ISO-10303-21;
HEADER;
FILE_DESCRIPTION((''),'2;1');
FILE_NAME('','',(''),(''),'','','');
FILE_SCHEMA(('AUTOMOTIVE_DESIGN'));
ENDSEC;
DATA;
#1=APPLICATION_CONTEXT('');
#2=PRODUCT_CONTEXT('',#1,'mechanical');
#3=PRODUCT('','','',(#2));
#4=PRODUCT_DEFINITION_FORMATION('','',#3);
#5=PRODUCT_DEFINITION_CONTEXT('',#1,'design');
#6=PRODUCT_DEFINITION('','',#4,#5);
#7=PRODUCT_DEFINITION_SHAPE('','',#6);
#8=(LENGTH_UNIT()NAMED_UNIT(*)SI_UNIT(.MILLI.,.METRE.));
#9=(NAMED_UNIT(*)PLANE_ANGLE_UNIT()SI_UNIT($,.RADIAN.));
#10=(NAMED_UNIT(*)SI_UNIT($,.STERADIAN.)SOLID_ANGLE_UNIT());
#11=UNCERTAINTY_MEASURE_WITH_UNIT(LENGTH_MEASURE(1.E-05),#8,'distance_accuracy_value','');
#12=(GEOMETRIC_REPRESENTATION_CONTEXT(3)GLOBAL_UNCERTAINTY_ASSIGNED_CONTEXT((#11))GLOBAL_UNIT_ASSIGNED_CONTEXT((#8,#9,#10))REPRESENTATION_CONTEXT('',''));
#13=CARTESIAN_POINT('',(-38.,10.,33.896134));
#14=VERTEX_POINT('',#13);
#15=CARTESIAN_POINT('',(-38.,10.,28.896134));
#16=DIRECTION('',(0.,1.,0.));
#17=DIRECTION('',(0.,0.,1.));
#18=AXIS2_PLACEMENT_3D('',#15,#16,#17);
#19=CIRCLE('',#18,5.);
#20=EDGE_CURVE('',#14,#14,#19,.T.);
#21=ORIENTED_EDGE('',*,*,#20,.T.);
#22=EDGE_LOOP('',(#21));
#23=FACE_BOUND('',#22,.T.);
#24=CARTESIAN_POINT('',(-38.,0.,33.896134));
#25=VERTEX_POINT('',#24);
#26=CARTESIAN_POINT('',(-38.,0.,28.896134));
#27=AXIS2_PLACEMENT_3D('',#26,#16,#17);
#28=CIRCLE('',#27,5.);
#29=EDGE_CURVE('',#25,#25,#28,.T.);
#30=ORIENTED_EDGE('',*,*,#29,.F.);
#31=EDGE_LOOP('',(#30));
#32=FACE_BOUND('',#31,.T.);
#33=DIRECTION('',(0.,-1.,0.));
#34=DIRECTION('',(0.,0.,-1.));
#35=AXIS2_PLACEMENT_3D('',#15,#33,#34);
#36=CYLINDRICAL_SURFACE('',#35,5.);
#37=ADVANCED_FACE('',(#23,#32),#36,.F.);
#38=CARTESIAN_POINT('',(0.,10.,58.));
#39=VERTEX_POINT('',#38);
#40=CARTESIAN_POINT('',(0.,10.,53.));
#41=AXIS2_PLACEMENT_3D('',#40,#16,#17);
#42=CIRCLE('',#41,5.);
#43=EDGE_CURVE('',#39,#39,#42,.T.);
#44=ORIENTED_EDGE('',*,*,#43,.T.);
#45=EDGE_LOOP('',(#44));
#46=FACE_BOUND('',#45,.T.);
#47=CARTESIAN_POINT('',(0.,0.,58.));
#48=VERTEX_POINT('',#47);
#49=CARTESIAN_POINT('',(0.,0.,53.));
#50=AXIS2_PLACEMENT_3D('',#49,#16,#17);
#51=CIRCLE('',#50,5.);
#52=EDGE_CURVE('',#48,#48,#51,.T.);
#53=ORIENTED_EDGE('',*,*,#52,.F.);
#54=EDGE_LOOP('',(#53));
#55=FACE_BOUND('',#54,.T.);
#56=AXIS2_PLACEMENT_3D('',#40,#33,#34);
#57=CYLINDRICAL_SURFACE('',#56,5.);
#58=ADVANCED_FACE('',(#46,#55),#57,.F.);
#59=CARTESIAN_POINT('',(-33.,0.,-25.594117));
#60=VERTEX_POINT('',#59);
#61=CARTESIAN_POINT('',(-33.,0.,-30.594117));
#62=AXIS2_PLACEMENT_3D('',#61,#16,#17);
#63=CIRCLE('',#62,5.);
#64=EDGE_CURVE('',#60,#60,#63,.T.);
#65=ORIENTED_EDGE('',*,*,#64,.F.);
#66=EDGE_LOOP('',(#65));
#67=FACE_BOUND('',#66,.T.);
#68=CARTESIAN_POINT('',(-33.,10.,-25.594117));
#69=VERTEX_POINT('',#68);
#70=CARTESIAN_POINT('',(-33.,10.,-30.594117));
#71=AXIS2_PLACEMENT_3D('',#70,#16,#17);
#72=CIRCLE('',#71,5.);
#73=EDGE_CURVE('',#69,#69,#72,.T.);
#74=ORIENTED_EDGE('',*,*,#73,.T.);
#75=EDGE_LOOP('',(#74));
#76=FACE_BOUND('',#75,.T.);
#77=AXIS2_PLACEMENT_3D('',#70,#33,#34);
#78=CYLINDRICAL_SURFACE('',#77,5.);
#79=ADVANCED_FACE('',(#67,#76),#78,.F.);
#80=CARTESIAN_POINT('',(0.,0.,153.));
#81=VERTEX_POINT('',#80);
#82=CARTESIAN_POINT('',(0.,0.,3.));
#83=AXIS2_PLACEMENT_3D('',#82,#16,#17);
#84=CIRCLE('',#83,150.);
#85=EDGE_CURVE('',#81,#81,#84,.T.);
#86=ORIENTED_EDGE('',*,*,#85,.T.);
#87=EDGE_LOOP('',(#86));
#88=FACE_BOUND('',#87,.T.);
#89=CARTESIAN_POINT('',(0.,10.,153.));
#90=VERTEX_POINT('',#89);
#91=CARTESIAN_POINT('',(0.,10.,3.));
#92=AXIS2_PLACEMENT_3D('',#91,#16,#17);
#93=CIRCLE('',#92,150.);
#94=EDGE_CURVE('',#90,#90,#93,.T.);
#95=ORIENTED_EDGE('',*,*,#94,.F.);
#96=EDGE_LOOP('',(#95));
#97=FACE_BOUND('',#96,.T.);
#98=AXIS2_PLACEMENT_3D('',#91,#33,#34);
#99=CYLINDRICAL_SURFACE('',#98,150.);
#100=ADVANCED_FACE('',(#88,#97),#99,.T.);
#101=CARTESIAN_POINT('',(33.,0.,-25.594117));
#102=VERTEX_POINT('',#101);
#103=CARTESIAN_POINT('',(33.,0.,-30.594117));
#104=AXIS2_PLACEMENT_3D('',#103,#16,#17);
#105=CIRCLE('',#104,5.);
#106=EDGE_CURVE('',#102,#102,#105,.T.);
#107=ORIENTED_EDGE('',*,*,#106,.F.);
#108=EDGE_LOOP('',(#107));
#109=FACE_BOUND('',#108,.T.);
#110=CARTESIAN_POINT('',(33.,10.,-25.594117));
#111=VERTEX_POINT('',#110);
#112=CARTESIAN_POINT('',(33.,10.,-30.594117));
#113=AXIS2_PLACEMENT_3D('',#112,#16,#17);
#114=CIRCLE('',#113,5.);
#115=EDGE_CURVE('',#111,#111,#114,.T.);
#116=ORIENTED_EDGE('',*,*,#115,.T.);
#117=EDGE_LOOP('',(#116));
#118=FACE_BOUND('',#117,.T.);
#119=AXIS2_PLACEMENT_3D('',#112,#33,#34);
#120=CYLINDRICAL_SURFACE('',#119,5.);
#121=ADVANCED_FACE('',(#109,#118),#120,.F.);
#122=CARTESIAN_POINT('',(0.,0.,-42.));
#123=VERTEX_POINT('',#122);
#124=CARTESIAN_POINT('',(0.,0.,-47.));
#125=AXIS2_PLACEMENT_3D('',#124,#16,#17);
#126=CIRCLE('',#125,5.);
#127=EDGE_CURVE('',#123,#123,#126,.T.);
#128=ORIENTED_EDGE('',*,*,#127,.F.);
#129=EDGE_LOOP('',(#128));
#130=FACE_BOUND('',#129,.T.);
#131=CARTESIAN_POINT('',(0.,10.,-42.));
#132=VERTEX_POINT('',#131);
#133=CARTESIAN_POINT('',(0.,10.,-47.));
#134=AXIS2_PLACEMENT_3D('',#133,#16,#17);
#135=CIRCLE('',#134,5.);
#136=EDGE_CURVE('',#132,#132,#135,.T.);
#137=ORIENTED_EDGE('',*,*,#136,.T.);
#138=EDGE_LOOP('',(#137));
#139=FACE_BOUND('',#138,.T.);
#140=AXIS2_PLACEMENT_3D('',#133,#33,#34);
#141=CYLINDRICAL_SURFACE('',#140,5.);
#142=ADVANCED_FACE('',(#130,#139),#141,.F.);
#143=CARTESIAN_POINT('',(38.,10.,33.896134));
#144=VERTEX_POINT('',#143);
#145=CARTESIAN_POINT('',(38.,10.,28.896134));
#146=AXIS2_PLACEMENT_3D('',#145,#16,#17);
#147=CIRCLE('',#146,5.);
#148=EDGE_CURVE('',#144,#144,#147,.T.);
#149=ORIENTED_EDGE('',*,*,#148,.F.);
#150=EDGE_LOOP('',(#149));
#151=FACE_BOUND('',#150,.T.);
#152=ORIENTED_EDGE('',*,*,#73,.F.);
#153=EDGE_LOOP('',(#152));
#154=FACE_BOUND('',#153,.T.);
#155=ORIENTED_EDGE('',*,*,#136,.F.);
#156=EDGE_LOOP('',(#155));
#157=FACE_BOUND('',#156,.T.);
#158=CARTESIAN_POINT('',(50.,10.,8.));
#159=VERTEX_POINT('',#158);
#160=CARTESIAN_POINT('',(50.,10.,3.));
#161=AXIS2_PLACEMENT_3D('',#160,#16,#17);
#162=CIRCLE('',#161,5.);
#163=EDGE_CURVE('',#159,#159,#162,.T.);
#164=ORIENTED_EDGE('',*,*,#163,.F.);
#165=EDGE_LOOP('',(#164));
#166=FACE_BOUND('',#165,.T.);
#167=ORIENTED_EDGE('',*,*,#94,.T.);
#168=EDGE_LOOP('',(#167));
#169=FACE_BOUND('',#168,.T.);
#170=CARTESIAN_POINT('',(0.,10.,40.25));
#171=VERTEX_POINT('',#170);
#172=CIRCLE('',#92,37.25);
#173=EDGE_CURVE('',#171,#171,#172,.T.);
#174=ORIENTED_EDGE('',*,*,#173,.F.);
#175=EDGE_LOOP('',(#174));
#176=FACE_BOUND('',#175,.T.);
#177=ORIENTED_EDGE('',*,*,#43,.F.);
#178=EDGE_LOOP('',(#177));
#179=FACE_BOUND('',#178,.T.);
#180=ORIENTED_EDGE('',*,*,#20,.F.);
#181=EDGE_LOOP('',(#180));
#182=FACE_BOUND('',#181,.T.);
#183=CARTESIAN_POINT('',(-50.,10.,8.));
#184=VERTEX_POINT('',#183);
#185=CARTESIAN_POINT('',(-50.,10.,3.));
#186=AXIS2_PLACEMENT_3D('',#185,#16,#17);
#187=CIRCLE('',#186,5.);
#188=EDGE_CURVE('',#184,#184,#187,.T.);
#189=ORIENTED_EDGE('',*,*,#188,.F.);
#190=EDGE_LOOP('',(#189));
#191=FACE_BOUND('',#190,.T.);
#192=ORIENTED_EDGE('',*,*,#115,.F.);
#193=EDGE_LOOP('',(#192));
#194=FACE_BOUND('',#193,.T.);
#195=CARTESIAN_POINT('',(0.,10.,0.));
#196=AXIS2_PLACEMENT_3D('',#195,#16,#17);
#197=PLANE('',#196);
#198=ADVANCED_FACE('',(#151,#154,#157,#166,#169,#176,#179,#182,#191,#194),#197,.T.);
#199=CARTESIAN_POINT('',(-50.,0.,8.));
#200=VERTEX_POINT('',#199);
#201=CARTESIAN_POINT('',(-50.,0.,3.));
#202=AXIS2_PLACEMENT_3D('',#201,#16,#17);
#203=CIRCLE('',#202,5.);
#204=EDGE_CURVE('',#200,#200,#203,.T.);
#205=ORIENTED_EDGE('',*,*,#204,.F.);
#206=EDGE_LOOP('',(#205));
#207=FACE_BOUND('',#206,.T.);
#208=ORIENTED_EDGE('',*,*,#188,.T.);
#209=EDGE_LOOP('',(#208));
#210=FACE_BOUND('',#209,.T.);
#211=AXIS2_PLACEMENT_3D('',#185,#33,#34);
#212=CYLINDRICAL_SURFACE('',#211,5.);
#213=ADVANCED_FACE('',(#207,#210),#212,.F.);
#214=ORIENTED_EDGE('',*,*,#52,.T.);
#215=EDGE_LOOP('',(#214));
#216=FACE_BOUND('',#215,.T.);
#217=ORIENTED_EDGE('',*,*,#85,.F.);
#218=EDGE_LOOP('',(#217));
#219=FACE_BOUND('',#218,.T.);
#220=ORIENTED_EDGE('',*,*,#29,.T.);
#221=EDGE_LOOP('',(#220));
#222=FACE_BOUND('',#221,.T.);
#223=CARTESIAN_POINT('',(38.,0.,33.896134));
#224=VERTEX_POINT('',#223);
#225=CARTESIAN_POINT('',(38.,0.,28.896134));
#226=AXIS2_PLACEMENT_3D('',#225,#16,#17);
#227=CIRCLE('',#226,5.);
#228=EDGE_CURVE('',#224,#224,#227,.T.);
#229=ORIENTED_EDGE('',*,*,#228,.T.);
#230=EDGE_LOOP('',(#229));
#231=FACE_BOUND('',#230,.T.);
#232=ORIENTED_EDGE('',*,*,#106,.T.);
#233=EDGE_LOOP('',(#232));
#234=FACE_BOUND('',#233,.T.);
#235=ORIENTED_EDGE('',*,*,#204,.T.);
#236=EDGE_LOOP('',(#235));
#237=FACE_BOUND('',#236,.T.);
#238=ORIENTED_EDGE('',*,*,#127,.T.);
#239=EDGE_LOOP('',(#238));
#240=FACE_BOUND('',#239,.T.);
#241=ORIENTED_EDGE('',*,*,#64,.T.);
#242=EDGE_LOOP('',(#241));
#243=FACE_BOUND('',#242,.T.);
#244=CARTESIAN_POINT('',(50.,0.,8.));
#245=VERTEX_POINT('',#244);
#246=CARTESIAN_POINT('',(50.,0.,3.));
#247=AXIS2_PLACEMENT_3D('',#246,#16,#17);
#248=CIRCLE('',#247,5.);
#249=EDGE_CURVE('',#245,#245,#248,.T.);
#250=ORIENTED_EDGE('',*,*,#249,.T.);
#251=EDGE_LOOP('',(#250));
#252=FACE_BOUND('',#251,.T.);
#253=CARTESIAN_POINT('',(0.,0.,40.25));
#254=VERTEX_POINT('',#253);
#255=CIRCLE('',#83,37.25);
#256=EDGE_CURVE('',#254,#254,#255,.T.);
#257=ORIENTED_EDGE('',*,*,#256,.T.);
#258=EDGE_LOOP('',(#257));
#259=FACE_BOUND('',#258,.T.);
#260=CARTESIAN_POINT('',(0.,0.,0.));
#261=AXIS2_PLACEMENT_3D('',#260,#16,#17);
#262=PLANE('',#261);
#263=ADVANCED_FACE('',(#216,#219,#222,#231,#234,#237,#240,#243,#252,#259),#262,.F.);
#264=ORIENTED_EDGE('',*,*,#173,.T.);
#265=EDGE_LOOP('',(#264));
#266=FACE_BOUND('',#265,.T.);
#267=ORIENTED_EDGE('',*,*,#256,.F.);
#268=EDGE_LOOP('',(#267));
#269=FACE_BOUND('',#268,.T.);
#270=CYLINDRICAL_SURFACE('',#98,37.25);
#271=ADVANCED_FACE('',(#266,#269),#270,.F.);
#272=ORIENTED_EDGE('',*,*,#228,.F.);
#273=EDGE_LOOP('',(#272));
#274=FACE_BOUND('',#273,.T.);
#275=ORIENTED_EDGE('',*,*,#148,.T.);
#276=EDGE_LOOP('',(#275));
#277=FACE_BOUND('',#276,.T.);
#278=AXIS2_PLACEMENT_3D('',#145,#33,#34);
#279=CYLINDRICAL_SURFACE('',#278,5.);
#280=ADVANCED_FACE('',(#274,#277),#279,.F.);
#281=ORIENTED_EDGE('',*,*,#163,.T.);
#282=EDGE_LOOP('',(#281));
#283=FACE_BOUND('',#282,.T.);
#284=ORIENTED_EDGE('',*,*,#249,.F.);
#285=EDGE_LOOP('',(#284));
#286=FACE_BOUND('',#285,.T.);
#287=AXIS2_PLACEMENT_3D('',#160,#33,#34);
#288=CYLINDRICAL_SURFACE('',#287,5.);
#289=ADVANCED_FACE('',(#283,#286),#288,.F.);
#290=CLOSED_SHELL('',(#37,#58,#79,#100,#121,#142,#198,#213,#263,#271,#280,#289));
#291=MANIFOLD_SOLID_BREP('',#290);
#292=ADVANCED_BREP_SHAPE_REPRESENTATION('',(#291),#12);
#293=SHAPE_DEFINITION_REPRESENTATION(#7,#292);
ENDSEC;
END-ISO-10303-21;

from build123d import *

# Parameters (mm, degrees)
SKETCH1_R           = 150
SKETCH1_R_2         = 5
SKETCH1_R_3         = 37.25
BOSS_EXTRUDE1_DEPTH = 10


with BuildPart() as part:
    # Sketch1 → Boss-Extrude1 (new body)
    with BuildSketch(Plane(origin=(0, 0, 0), x_dir=(1, 0, 0), z_dir=(0, 1, 0))):
        with Locations(Location((0, -3, 0), (0, 0, 270))):
            Circle(SKETCH1_R)
        with Locations(Location((-33, 30.594117082, 0), (0, 0, 270))):
            Circle(SKETCH1_R_2, mode=Mode.SUBTRACT)
        with Locations(Location((33, 30.594117082, 0), (0, 0, 270))):
            Circle(SKETCH1_R_2, mode=Mode.SUBTRACT)
        with Locations(Location((38, -28.896134221, 0), (0, 0, 270))):
            Circle(SKETCH1_R_2, mode=Mode.SUBTRACT)
        with Locations(Location((-38, -28.896134221, 0), (0, 0, 270))):
            Circle(SKETCH1_R_2, mode=Mode.SUBTRACT)
        with Locations(Location((0, -3, 0), (0, 0, 270))):
            Circle(SKETCH1_R_3, mode=Mode.SUBTRACT)
        with Locations(Location((0, 47, 0), (0, 0, 270))):
            Circle(SKETCH1_R_2, mode=Mode.SUBTRACT)
        with Locations(Location((50, -3, 0), (0, 0, 270))):
            Circle(SKETCH1_R_2, mode=Mode.SUBTRACT)
        with Locations(Location((0, -53, 0), (0, 0, 270))):
            Circle(SKETCH1_R_2, mode=Mode.SUBTRACT)
        with Locations(Location((-50, -3, 0), (0, 0, 270))):
            Circle(SKETCH1_R_2, mode=Mode.SUBTRACT)
    extrude(amount=BOSS_EXTRUDE1_DEPTH)


solid = part.part
